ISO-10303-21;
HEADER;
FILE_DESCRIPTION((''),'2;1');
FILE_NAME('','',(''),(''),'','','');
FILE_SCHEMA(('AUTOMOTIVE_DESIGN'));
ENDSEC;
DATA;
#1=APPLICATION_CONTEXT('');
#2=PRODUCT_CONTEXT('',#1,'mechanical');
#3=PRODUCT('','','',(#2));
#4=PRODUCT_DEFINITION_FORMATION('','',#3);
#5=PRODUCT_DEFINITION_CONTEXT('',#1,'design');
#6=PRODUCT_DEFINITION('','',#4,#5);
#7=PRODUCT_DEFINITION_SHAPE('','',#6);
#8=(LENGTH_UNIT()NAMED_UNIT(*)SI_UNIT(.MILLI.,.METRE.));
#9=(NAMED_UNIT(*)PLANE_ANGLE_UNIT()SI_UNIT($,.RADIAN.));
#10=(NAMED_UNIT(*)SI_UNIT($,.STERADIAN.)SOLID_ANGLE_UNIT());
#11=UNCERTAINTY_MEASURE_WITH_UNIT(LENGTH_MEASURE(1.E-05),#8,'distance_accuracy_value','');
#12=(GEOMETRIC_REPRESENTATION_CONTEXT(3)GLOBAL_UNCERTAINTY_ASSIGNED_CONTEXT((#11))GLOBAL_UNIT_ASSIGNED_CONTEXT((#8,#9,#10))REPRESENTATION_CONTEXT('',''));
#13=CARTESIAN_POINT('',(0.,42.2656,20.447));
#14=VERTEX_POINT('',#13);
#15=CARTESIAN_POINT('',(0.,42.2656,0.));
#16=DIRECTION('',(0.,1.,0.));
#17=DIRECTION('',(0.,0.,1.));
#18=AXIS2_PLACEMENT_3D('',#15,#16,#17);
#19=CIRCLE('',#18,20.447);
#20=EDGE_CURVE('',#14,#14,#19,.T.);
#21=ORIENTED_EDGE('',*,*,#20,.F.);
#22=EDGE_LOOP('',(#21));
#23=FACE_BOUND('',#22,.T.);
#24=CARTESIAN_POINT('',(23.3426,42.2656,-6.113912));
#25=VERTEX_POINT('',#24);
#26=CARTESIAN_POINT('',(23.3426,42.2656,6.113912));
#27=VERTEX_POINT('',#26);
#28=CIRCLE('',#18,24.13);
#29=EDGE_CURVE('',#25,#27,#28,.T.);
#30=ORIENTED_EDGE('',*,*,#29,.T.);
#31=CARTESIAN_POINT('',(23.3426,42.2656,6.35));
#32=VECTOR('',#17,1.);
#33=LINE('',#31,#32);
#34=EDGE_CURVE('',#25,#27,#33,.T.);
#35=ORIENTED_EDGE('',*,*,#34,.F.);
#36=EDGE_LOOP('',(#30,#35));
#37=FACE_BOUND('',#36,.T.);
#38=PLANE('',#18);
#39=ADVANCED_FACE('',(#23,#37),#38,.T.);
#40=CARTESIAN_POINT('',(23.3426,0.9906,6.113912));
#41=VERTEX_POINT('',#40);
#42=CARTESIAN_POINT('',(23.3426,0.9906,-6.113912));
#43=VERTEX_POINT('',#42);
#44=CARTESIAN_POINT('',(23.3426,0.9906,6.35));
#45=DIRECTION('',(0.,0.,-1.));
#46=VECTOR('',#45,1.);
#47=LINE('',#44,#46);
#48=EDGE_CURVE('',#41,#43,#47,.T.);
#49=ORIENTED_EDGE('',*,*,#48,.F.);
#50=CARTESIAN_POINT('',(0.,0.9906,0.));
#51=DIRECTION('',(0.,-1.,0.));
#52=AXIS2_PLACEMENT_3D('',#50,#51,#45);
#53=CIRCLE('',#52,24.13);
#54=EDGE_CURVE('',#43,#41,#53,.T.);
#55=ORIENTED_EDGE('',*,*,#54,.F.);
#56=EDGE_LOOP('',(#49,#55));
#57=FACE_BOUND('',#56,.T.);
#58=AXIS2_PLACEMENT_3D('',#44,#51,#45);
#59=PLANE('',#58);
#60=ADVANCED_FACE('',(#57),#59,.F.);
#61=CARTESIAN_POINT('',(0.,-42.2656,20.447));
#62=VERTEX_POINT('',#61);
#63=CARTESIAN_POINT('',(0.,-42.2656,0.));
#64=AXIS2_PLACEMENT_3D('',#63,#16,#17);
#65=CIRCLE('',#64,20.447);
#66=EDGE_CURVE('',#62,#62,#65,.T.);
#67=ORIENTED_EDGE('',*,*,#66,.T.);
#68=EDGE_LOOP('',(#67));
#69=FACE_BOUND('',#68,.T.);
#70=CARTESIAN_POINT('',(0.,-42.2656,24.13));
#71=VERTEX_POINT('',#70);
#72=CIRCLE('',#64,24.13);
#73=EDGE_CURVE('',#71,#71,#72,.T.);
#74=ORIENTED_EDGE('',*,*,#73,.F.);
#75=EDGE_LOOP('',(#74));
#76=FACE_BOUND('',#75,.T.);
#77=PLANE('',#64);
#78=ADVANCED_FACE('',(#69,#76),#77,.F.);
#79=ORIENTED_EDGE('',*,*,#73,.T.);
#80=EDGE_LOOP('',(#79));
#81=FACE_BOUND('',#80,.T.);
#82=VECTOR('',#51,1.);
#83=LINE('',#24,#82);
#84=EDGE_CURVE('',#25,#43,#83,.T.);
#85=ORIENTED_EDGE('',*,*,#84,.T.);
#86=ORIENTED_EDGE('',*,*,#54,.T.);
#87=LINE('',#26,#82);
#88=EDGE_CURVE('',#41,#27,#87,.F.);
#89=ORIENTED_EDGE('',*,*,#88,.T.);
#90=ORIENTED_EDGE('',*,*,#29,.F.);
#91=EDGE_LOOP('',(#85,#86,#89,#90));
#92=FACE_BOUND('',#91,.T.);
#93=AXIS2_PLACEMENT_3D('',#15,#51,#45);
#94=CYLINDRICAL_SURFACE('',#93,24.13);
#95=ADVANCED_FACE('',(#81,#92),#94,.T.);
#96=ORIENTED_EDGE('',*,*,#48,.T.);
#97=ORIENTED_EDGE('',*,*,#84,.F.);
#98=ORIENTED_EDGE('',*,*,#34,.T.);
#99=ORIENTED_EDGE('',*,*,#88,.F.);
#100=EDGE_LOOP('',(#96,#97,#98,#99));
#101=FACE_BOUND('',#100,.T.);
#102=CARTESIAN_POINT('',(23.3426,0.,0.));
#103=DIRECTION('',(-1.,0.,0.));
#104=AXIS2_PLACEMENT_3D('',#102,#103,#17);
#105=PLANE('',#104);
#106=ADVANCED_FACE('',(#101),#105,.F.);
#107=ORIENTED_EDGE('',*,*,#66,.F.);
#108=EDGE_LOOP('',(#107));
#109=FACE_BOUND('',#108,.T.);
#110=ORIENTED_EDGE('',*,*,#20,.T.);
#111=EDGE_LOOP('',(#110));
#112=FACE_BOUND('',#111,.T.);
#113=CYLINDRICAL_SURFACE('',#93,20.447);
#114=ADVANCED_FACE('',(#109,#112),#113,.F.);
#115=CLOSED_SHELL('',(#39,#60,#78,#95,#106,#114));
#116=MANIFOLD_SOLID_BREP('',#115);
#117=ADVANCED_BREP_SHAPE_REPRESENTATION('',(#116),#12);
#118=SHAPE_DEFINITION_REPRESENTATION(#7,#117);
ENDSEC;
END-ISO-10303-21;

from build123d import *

# Parameters (mm, degrees)
SKETCH1_R           = 24.13
SKETCH1_R_2         = 20.447
BOSS_EXTRUDE1_DEPTH = 42.2656
SKETCH2_W           = 12.7
SKETCH2_H           = 41.275
CUT_EXTRUDE1_DEPTH  = 0.7874


with BuildPart() as part:
    # Sketch1 → Boss-Extrude1 (new, symmetric)
    with BuildSketch(Plane(origin=(0, 0, 0), x_dir=(1, 0, 0), z_dir=(0, 1, 0))):
        with Locations(Location((0, 0, 0), (0, 0, 270))):
            Circle(SKETCH1_R)
        with Locations(Location((0, 0, 0), (0, 0, 270))):
            Circle(SKETCH1_R_2, mode=Mode.SUBTRACT)
    extrude(amount=BOSS_EXTRUDE1_DEPTH, both=True)

    # Sketch2 → Cut-Extrude1 (cut)
    with BuildSketch(Plane(origin=(24.13, 0, 0), x_dir=(0, 0, -1), z_dir=(1, 0, 0))):
        with Locations((0, 21.6281)):
            Rectangle(SKETCH2_W, SKETCH2_H)
    extrude(amount=-CUT_EXTRUDE1_DEPTH, mode=Mode.SUBTRACT)


solid = part.part
